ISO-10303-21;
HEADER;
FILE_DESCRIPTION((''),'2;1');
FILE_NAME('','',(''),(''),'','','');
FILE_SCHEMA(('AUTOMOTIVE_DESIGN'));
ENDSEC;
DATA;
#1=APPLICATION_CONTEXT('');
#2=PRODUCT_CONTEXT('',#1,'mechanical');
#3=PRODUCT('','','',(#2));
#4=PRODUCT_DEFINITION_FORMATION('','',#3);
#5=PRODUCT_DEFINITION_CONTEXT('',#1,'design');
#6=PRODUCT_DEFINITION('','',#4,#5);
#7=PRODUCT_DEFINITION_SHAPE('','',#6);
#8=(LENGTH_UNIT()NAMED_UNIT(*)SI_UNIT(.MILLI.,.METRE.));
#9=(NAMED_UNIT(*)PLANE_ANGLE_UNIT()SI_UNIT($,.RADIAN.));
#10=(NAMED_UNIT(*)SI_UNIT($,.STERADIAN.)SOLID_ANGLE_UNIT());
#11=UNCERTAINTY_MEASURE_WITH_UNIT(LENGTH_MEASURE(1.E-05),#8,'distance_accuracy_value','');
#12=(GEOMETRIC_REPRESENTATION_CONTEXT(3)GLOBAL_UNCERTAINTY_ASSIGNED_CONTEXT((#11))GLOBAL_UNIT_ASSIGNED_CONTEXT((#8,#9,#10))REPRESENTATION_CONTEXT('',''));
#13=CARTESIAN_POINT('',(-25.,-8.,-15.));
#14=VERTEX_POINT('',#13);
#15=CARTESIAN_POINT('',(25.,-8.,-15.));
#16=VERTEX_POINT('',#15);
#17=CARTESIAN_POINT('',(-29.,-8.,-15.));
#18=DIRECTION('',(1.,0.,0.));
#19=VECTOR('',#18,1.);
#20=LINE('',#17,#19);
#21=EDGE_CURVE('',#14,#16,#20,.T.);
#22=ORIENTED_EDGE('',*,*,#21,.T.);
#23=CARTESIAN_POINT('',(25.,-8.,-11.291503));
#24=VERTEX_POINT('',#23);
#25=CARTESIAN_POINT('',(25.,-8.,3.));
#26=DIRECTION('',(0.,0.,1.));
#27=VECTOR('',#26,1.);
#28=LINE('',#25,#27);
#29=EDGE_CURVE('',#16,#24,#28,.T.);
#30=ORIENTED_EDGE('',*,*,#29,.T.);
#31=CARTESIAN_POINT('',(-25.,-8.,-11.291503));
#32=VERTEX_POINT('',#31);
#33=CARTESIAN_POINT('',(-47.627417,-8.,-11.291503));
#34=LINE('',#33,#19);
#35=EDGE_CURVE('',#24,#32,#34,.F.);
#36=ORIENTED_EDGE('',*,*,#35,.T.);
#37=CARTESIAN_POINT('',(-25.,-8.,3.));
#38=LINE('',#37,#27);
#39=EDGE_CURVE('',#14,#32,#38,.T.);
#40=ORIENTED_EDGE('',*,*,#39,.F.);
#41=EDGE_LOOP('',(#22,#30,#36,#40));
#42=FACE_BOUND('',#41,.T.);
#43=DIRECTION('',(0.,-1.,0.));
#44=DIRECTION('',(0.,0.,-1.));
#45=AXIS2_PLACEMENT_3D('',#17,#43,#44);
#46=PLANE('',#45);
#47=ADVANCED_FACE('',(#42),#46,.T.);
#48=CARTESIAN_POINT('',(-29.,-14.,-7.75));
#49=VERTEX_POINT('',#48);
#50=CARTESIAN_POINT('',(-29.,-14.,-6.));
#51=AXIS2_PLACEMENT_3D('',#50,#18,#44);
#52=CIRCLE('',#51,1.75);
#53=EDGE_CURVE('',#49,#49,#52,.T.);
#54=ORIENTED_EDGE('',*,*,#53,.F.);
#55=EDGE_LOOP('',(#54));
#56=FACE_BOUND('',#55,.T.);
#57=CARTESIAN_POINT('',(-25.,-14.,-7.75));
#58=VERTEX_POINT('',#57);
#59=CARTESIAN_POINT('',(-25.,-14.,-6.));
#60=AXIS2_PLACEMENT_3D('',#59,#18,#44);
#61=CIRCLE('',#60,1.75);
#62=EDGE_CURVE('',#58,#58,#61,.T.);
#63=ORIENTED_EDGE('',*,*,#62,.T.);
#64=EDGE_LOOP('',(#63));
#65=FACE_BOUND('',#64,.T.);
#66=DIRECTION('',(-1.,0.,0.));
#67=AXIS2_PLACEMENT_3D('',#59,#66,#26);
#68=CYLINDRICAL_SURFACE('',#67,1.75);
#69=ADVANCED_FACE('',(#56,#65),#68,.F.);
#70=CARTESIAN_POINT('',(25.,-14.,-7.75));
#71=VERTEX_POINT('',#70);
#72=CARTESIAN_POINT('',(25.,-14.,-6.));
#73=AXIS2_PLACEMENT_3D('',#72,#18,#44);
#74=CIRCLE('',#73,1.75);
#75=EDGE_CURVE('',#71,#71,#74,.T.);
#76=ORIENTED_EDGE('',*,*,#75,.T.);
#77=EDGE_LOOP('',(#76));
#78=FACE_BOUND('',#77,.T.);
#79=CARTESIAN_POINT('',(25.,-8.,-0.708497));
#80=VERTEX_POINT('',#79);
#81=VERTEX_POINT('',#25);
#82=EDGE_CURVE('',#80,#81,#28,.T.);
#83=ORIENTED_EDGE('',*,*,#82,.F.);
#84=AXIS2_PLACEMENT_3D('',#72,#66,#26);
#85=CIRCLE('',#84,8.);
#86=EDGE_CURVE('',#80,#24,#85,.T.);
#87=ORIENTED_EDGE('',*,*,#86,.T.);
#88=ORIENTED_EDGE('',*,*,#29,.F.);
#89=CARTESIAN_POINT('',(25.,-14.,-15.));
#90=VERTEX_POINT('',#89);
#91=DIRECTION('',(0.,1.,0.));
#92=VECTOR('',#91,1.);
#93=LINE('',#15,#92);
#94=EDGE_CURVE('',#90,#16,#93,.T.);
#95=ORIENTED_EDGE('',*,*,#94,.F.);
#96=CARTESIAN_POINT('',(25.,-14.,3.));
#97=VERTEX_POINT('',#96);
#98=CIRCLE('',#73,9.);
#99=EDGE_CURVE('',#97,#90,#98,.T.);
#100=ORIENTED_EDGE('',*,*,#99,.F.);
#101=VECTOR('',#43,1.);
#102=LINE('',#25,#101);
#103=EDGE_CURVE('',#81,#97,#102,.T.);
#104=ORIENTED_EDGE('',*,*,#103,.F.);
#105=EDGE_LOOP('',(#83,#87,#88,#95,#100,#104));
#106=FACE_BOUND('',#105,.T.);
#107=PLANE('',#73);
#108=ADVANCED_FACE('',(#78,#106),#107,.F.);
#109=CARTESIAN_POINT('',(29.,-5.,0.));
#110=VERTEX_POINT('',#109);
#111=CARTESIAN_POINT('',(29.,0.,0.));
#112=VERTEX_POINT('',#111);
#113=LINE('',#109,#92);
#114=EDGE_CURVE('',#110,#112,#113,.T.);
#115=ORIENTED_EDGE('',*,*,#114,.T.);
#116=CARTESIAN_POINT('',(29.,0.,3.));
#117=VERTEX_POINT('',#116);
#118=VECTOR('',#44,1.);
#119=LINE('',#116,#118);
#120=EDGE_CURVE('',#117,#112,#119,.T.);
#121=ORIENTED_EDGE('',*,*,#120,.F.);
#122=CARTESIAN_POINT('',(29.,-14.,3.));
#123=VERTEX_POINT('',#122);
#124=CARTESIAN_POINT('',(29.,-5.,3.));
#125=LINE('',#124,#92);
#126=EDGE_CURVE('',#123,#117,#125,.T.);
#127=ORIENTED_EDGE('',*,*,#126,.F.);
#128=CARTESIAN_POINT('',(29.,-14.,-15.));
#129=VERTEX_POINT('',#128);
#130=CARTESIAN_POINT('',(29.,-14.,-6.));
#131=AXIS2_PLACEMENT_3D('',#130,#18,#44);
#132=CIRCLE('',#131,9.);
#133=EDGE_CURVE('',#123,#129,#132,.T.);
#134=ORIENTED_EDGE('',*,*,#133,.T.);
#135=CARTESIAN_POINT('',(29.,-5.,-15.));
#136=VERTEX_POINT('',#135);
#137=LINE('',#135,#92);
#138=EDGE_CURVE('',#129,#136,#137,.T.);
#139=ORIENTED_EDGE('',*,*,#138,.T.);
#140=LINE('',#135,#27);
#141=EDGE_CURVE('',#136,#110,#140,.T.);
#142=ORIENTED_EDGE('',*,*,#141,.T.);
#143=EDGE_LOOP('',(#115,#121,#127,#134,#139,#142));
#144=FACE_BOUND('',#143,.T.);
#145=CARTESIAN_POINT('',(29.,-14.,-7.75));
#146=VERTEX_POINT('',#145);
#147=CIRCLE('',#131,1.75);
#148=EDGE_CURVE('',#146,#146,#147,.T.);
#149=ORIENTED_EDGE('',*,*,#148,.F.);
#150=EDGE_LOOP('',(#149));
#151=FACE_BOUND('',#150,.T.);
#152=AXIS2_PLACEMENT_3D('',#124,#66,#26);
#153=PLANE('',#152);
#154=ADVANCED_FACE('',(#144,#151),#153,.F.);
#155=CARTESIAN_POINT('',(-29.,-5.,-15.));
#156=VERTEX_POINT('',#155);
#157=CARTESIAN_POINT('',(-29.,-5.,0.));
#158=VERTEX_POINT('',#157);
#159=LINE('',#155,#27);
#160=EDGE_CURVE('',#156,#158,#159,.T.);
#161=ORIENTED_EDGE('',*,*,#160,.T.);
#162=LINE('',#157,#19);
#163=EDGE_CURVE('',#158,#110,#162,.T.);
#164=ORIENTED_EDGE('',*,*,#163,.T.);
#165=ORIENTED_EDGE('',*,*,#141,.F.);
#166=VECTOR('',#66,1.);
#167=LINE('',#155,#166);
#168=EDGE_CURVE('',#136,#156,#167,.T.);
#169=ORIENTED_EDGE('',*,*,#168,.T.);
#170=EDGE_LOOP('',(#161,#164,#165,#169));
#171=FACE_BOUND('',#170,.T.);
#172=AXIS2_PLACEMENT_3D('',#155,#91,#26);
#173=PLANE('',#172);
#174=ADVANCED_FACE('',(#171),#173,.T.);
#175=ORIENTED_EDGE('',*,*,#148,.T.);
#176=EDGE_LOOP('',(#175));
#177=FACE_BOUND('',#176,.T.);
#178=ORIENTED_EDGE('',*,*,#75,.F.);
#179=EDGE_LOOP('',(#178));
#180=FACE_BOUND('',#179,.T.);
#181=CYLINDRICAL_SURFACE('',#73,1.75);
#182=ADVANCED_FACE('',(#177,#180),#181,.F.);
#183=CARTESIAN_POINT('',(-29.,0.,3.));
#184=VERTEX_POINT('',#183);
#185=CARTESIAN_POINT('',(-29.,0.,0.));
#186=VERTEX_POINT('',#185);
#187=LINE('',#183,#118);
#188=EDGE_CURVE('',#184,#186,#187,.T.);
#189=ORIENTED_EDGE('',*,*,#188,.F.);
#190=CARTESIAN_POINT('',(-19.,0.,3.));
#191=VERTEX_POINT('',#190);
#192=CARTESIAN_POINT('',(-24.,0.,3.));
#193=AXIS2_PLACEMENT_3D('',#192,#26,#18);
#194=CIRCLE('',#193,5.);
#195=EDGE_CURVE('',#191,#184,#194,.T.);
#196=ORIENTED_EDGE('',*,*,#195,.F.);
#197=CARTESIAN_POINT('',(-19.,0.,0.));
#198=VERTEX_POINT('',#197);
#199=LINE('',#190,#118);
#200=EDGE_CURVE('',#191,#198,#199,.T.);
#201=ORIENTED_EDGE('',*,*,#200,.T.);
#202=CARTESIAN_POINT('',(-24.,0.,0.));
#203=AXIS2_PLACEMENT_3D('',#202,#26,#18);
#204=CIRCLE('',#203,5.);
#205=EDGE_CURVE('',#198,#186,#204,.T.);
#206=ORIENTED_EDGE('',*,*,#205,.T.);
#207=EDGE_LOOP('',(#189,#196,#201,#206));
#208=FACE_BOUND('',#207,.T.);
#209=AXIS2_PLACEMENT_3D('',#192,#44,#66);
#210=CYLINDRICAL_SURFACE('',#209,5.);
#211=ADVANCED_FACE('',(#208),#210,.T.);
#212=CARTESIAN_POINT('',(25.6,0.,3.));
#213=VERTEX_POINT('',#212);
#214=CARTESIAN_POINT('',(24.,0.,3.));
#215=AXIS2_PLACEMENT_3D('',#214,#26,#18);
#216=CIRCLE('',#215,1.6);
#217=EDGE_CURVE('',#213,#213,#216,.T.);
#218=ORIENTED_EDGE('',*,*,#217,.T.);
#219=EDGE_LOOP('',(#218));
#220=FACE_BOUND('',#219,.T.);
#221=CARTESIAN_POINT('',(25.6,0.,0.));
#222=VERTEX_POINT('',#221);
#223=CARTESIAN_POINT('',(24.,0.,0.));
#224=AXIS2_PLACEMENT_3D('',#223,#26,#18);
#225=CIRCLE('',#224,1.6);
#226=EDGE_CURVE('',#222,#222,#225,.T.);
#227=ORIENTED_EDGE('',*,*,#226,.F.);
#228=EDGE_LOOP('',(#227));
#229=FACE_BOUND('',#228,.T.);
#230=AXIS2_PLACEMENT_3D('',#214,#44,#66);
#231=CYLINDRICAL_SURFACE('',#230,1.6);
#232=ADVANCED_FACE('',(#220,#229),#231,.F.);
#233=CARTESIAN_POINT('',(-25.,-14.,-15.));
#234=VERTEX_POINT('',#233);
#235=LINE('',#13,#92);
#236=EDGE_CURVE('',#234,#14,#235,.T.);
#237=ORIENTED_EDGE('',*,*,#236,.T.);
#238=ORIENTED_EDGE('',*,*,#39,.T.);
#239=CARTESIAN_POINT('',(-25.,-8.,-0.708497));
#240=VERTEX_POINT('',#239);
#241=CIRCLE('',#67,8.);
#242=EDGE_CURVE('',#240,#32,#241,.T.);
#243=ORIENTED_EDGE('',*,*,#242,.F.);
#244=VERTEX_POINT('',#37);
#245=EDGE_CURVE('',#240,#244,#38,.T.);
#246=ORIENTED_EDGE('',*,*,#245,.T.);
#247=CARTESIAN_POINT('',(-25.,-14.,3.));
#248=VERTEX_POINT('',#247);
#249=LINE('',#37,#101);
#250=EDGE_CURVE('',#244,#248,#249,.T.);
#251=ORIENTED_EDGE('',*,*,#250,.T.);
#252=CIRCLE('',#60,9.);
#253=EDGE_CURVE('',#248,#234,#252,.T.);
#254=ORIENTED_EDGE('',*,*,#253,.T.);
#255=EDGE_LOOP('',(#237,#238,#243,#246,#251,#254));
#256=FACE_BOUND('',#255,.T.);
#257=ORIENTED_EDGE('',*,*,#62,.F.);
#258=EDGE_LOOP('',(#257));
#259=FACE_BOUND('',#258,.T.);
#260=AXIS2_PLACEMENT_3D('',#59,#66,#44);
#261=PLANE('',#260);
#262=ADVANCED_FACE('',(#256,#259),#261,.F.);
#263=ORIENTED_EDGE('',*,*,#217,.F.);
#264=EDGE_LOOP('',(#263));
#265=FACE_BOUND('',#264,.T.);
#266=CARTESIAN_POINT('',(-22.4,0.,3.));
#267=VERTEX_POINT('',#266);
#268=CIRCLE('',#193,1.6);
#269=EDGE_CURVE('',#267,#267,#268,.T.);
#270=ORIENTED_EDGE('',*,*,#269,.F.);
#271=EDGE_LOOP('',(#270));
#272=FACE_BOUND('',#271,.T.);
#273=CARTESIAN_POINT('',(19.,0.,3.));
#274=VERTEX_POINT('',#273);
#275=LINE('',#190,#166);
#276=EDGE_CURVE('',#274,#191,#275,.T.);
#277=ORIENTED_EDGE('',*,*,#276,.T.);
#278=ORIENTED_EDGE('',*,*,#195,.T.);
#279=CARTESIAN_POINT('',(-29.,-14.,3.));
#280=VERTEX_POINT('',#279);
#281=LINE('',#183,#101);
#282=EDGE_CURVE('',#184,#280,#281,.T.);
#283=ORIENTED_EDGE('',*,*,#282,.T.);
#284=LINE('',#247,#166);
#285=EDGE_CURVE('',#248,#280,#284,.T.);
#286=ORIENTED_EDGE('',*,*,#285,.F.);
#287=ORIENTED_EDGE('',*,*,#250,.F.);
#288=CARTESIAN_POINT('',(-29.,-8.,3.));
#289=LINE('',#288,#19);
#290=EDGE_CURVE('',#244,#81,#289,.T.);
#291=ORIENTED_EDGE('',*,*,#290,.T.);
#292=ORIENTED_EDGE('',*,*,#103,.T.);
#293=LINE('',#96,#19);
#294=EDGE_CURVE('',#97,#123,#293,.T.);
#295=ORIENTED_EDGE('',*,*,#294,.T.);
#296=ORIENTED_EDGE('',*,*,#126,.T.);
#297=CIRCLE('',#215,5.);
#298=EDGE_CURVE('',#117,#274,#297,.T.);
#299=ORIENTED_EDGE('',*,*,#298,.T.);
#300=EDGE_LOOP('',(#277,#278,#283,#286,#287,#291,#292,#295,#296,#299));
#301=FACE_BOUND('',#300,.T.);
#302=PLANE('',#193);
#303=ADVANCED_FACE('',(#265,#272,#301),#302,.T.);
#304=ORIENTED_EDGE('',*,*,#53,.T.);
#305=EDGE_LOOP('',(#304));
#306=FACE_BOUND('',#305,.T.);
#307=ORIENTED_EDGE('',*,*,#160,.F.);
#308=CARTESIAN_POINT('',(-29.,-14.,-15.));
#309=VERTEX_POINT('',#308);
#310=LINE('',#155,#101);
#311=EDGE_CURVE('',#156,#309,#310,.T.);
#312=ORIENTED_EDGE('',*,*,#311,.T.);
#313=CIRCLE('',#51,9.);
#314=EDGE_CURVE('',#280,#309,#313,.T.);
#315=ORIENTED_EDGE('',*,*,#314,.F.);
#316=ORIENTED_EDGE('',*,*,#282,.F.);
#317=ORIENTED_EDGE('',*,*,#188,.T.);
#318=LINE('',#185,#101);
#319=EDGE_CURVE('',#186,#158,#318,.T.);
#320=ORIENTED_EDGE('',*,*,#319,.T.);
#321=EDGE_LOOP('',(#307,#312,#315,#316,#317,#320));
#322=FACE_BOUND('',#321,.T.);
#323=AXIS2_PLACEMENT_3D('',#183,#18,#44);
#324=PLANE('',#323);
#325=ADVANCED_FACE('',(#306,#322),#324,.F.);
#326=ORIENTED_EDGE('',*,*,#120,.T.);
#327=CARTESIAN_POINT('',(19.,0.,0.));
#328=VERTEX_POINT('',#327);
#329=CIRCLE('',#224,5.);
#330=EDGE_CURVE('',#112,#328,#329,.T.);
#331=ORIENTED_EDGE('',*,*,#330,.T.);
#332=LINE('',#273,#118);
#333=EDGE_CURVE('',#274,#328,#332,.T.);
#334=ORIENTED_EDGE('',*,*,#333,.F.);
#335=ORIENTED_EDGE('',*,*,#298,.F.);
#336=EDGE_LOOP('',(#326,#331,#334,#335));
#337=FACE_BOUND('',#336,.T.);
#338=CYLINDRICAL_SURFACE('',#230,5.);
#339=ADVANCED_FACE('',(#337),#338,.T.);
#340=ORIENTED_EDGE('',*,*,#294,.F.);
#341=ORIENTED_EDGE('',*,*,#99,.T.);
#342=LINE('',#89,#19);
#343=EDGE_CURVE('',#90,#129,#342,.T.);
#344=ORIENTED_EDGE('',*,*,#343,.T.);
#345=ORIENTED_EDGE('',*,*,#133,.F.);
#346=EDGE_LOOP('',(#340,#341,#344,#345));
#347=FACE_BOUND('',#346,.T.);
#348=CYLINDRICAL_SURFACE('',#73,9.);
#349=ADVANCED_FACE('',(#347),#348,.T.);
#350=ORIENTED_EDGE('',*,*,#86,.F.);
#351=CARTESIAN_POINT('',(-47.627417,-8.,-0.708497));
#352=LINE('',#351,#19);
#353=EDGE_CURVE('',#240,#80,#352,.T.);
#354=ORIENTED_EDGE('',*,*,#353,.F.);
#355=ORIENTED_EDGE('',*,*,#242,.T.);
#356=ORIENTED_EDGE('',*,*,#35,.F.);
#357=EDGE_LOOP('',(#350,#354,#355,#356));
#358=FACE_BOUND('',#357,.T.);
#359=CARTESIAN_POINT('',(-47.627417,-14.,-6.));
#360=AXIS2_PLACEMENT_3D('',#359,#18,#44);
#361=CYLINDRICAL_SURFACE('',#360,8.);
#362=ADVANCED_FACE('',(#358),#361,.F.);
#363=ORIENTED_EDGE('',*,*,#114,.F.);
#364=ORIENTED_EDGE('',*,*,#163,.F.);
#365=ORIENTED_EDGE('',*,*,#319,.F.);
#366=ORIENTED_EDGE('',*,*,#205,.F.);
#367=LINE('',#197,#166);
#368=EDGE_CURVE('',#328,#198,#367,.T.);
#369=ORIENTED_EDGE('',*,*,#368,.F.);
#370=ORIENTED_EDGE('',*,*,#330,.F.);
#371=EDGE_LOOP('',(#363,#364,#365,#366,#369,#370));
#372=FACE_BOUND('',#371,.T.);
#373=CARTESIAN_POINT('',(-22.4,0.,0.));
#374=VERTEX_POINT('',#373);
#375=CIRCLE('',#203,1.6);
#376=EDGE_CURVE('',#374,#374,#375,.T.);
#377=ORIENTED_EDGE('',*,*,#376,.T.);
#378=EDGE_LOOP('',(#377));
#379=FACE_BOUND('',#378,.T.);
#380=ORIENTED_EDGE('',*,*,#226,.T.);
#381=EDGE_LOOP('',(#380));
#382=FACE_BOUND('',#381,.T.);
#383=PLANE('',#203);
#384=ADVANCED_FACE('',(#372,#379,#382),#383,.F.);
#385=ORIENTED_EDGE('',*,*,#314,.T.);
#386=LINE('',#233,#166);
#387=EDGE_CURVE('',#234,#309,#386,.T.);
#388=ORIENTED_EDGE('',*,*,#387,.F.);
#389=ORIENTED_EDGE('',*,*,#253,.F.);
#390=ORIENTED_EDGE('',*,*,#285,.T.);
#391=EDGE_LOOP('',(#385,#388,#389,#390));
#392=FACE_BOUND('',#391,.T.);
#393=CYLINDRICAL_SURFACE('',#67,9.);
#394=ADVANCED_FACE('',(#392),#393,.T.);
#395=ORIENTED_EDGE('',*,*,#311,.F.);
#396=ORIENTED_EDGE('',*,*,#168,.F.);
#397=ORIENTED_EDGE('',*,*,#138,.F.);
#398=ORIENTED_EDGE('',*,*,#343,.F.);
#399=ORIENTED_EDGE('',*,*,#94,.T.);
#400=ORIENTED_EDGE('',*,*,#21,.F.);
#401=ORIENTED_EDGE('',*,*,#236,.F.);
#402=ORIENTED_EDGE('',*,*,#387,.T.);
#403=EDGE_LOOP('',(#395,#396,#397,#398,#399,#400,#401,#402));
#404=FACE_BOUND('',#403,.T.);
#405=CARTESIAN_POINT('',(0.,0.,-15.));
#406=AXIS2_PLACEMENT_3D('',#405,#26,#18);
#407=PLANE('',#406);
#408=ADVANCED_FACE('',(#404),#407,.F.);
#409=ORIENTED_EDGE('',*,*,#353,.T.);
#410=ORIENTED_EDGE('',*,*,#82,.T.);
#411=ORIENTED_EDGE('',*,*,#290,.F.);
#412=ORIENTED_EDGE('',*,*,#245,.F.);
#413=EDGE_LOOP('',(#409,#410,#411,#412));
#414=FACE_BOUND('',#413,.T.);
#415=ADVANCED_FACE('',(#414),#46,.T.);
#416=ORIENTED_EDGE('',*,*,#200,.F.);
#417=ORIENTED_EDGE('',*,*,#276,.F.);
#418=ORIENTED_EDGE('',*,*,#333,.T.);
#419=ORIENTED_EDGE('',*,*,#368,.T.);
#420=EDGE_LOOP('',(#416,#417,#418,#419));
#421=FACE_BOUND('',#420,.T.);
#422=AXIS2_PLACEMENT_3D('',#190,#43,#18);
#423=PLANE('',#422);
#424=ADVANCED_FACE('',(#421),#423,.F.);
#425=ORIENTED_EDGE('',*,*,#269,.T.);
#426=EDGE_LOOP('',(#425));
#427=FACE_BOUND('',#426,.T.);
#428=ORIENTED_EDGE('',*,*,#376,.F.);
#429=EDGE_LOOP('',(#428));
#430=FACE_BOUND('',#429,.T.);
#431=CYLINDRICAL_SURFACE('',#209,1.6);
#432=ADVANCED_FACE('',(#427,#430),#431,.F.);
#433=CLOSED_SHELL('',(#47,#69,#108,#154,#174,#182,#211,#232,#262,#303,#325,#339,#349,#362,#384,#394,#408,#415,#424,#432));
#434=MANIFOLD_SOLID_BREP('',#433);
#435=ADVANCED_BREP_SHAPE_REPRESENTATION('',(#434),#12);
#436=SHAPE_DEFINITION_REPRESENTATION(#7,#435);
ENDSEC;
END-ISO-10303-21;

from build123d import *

# Parameters (mm, degrees)
SKETCH_3_R          = 1.6
EXTRUDE_2_DEPTH     = 3
SKETCH_4_W          = 58
SKETCH_4_H          = 3
EXTRUDE_3_DEPTH     = 18
SKETCH_5_R          = 1.75
EXTRUDE_4_DEPTH     = 4
SKETCH_7_R          = 8
CUT_EXTRUDE_2_DEPTH = 50


with BuildPart() as part:
    # 草图3 → 凸台-拉伸2 (new body)
    with BuildSketch(Plane.XY):
        with BuildLine():
            Line((-29, 0), (-29, -5))
            Line((-29, -5), (29, -5))
            Line((29, -5), (29, 0))
            ThreePointArc((29, 0), (24, 5), (19, 0))
            Line((19, 0), (-19, 0))
            ThreePointArc((-19, 0), (-24, 5), (-29, 0))
        make_face()
        with Locations((-24, 0)):
            Circle(SKETCH_3_R, mode=Mode.SUBTRACT)
        with Locations((24, 0)):
            Circle(SKETCH_3_R, mode=Mode.SUBTRACT)
    extrude(amount=EXTRUDE_2_DEPTH)

    # 草图4 → 凸台-拉伸3 (add)
    with BuildSketch(Plane.XY.offset(3)):
        with Locations((0, -6.5)):
            Rectangle(SKETCH_4_W, SKETCH_4_H)
    extrude(amount=-EXTRUDE_3_DEPTH)

    # 草图5 → 凸台-拉伸4 (add)
    with BuildSketch(Plane(origin=(29, 0, 0), x_dir=(0, 0, -1), z_dir=(1, 0, 0))):
        with BuildLine():
            Line((-3, -8), (-3, -14))
            ThreePointArc((-3, -14), (6, -23), (15, -14))
            Line((15, -14), (15, -8))
            Line((15, -8), (-3, -8))
        make_face()
        with Locations((6, -14)):
            Circle(SKETCH_5_R, mode=Mode.SUBTRACT)
    extrude_4 = extrude(amount=-EXTRUDE_4_DEPTH)

    # 镜向1: 凸台-拉伸4 across plane
    add(extrude_4.mirror(Plane(origin=(0, 0, 0), x_dir=(0, 0, 1), z_dir=(1, 0, 0))))

    # 草图7 → 切除-拉伸2 (cut)
    with BuildSketch(Plane.ZY.offset(-25)):
        with Locations((-6, -14)):
            Circle(SKETCH_7_R)
    extrude(amount=CUT_EXTRUDE_2_DEPTH, mode=Mode.SUBTRACT)


solid = part.part
